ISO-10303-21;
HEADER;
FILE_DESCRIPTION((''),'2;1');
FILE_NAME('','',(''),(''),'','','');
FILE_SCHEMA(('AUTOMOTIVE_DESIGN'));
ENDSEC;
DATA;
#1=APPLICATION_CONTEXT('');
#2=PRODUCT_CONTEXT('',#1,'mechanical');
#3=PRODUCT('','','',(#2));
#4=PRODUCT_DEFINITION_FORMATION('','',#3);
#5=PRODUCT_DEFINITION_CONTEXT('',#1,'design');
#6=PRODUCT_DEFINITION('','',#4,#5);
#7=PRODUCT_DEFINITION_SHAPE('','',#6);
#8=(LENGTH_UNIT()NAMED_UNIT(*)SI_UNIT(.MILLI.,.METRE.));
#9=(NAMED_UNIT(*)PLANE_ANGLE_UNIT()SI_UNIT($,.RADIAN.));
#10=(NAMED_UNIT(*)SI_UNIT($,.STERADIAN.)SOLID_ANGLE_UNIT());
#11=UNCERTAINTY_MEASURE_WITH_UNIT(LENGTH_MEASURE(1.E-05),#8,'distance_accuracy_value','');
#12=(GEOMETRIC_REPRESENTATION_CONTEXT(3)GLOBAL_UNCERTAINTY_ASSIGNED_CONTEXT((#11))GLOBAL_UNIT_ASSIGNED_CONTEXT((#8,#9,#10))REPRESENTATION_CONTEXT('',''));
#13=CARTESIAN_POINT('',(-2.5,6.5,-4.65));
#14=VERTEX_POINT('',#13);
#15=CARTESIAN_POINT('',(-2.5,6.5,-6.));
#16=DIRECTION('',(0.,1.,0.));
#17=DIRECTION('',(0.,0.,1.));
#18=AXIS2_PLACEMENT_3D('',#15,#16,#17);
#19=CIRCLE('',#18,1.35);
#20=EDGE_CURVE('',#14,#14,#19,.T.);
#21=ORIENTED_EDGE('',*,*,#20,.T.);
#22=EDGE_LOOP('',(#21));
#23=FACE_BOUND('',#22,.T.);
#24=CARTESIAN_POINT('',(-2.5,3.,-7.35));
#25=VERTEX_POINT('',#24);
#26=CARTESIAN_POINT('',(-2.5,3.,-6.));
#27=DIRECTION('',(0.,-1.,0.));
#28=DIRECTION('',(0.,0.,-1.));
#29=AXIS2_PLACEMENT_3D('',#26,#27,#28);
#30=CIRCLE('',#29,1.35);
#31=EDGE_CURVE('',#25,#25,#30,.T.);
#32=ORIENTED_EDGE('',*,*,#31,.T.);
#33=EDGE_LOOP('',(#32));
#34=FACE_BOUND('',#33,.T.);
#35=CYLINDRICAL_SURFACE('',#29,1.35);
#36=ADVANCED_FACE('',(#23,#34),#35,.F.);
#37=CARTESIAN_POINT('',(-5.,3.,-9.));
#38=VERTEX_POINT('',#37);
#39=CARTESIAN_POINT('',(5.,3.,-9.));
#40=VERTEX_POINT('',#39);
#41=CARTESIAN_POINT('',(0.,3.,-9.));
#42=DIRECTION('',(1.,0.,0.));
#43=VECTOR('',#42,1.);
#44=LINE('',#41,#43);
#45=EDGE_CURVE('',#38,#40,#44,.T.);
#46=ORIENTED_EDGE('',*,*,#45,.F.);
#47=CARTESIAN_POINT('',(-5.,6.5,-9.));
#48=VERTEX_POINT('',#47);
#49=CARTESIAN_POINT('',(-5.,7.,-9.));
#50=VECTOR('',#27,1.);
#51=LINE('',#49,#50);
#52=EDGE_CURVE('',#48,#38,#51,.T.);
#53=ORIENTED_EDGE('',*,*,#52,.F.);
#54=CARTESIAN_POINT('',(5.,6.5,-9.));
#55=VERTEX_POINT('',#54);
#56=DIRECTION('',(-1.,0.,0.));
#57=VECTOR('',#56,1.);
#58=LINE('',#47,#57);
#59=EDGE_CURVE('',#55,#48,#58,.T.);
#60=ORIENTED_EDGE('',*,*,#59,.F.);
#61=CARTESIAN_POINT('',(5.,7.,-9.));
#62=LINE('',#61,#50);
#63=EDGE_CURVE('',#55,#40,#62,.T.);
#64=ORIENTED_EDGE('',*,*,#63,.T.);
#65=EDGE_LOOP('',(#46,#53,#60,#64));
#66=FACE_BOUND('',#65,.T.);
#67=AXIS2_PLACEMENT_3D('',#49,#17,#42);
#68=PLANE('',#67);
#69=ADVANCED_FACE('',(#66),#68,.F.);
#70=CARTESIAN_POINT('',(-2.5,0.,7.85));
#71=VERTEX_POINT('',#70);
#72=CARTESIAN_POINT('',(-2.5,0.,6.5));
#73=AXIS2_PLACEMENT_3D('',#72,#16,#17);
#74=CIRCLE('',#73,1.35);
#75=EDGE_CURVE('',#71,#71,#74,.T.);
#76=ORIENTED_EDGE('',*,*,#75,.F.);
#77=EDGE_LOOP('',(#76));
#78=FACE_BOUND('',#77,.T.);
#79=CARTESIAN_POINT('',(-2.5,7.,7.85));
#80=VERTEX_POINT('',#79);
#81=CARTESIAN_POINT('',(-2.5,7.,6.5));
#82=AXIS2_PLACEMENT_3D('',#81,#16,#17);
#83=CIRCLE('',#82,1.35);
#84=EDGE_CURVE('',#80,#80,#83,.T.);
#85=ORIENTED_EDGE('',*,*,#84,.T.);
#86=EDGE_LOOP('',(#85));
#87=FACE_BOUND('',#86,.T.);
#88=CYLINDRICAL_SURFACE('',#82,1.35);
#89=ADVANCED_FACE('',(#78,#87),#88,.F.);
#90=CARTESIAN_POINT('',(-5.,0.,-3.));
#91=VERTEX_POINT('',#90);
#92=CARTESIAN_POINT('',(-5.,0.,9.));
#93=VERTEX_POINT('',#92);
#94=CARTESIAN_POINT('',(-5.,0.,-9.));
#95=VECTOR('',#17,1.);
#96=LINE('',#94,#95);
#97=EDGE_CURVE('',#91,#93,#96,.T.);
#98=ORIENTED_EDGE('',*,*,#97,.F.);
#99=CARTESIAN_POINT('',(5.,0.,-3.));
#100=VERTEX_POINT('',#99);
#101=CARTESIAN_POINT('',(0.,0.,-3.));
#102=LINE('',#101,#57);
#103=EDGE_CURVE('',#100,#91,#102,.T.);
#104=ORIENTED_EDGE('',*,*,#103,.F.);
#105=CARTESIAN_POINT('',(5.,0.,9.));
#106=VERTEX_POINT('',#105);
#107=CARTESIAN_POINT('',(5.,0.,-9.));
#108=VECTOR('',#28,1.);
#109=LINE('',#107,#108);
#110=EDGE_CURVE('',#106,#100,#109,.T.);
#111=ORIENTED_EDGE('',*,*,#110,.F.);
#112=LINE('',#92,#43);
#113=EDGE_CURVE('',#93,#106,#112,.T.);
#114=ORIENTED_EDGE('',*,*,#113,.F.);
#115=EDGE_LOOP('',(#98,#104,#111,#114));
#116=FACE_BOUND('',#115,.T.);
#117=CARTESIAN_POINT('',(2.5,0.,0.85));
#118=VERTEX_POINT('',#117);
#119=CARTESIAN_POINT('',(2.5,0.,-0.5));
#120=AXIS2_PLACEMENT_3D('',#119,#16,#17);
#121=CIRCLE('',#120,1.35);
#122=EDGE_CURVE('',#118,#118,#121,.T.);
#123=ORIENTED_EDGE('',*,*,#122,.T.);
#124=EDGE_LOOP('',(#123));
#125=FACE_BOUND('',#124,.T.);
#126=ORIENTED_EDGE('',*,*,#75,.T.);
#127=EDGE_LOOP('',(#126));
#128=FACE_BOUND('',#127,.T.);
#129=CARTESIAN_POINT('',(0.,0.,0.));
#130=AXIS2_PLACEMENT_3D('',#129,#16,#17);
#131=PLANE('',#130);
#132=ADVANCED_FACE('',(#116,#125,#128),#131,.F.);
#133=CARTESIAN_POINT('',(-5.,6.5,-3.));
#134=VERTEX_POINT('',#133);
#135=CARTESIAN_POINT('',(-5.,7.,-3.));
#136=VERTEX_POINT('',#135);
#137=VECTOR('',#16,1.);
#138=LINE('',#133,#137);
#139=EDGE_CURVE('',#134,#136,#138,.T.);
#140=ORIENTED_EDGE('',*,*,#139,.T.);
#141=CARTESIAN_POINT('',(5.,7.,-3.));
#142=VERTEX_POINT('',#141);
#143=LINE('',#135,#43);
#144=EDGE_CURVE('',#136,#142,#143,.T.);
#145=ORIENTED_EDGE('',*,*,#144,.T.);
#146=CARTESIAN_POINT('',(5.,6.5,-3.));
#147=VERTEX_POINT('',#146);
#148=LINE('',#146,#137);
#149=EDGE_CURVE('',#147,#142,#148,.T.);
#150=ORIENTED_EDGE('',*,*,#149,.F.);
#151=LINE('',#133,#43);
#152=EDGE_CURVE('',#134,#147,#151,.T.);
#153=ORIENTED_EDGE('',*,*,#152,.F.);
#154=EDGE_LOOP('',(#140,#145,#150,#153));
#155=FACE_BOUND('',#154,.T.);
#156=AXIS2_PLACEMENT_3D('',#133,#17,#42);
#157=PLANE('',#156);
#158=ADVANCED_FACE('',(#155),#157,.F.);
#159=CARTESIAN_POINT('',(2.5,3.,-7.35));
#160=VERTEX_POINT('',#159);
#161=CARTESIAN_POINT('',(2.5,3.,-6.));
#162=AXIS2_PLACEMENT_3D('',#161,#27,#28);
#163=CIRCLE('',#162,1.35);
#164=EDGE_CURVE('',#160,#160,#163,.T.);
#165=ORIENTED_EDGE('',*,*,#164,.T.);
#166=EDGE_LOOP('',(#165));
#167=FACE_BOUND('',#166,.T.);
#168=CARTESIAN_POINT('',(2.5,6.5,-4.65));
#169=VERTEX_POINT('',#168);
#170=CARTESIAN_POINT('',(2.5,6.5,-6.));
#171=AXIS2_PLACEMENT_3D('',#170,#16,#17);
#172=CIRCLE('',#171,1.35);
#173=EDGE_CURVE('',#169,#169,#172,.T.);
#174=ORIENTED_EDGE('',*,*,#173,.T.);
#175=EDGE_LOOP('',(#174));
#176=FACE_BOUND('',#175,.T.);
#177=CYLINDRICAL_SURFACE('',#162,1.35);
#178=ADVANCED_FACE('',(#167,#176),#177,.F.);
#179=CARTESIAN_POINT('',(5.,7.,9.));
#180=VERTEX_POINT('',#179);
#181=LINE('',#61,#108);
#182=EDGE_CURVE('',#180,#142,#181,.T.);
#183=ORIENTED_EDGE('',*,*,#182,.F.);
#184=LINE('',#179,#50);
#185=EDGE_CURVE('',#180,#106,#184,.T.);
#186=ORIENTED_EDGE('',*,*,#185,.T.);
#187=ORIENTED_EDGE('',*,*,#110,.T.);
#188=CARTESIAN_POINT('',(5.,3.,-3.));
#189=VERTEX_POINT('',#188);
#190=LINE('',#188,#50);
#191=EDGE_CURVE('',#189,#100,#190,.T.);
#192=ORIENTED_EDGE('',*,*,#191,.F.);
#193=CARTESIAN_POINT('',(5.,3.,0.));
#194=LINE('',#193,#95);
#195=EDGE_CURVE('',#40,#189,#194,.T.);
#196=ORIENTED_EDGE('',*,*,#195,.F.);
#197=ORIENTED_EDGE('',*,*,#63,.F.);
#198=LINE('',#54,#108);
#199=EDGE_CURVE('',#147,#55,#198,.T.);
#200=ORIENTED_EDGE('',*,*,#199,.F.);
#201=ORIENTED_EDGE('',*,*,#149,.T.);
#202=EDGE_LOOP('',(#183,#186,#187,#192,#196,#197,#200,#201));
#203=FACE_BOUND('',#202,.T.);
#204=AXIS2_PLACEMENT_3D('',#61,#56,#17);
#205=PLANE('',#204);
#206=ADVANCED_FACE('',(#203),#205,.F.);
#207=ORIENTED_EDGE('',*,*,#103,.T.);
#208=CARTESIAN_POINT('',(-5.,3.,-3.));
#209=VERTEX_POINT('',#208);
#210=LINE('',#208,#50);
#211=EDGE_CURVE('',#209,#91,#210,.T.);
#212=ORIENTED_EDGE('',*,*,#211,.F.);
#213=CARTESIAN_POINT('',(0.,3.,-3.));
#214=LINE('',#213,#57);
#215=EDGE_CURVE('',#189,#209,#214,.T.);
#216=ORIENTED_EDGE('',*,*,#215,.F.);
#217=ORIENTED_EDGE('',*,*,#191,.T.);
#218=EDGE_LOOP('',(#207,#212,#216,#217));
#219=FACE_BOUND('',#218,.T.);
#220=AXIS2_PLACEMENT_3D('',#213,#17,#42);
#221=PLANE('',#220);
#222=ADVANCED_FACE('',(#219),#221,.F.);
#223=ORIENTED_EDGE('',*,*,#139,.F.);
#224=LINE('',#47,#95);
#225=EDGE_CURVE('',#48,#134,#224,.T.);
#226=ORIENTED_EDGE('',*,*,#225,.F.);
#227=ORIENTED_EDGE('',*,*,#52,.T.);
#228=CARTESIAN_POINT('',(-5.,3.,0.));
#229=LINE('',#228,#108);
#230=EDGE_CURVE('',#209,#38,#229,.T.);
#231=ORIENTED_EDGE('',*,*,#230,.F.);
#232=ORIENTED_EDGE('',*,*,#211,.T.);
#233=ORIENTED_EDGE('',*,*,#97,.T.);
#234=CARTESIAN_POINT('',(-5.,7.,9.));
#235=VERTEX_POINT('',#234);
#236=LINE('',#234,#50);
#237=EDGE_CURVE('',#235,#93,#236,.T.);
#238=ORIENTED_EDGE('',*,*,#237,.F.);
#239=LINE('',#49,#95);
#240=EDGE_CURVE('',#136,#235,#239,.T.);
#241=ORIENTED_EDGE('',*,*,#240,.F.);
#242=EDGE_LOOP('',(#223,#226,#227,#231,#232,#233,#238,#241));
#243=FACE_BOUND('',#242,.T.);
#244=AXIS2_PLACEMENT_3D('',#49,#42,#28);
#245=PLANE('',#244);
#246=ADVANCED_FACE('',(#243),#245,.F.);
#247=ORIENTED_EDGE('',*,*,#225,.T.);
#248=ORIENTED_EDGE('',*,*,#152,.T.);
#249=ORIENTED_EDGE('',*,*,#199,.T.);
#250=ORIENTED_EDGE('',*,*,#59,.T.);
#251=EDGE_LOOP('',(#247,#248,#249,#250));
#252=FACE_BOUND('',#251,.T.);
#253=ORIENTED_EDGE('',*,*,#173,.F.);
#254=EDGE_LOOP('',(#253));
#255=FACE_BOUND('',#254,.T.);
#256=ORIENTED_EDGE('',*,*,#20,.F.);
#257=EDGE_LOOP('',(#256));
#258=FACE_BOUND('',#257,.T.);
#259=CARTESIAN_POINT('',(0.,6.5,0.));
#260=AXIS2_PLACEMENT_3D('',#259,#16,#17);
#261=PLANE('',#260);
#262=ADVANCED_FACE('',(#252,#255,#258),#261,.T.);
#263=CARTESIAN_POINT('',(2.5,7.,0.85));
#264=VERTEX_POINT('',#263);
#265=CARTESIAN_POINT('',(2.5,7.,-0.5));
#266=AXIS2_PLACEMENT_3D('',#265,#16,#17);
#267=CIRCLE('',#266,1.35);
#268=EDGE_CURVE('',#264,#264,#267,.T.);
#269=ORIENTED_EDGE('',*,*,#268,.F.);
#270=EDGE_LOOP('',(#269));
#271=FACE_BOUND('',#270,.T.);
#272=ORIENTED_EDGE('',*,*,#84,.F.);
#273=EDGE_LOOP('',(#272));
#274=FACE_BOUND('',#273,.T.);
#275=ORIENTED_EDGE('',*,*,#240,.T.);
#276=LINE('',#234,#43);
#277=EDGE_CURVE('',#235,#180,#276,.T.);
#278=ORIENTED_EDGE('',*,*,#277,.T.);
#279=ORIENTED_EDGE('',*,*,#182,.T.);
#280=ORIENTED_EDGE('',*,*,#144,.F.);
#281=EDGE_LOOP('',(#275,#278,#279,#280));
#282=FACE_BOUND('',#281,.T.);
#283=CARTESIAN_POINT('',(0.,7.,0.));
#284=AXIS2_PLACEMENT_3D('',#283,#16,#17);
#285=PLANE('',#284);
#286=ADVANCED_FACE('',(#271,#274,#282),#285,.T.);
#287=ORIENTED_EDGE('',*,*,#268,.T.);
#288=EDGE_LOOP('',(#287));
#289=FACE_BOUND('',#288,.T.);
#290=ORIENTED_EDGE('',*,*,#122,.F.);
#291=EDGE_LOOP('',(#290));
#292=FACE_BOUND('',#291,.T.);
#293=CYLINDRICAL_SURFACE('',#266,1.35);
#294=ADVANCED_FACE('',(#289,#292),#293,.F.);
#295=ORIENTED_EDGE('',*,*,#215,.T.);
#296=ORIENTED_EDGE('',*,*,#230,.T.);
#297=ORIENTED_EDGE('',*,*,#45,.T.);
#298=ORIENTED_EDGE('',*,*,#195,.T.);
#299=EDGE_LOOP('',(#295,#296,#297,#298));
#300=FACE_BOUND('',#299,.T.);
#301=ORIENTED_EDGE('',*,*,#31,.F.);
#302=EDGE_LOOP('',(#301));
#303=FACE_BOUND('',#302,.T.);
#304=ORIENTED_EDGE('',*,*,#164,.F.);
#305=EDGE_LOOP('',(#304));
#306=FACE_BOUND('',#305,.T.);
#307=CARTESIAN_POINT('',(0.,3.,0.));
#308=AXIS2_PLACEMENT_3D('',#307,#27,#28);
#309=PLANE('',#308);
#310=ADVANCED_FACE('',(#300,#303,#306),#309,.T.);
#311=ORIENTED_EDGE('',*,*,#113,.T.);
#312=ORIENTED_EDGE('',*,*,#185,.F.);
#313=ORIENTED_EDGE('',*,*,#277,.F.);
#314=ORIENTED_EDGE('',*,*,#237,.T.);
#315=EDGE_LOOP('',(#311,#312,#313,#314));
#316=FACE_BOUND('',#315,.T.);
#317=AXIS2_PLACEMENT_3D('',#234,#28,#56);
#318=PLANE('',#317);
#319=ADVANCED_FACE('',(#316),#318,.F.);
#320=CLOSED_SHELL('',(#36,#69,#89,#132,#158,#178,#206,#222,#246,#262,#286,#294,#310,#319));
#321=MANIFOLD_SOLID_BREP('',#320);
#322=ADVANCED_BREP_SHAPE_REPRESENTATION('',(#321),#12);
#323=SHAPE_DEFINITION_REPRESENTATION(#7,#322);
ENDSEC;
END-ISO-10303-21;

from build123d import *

# Parameters (mm, degrees)
SKETCH1_W              = 10
SKETCH1_H              = 18
BOSS_EXTRUDE1_DEPTH    = 7
SKETCH2_W              = 10
SKETCH2_H              = 6
CUT_EXTRUDE1_DEPTH     = 0.5
M2_5_CLEARANCE_HOLE1_D = 2.7
SKETCH5_W              = 10
SKETCH5_H              = 6
CUT_EXTRUDE2_DEPTH     = 3
M2_5_CLEARANCE_HOLE2_D = 2.7


with BuildPart() as part:
    # Sketch1 → Boss-Extrude1 (new body)
    with BuildSketch(Plane(origin=(0, 0, 0), x_dir=(1, 0, 0), z_dir=(0, 1, 0))):
        Rectangle(SKETCH1_W, SKETCH1_H)
    extrude(amount=BOSS_EXTRUDE1_DEPTH)

    # Sketch2 → Cut-Extrude1 (cut)
    with BuildSketch(Plane(origin=(0, 7, 0), x_dir=(1, 0, 0), z_dir=(0, 1, 0))):
        with Locations((0, 6)):
            Rectangle(SKETCH2_W, SKETCH2_H)
    extrude(amount=-CUT_EXTRUDE1_DEPTH, mode=Mode.SUBTRACT)

    # M2.5 Clearance Hole1 (through all)
    with Locations(Plane(origin=(0, 7, 0), x_dir=(1, 0, 0), z_dir=(0, 1, 0))):
        with Locations((-2.5, -6.5), (2.5, 0.5)):
            Hole(M2_5_CLEARANCE_HOLE1_D / 2)

    # Sketch5 → Cut-Extrude2 (cut)
    with BuildSketch(Plane.XZ):
        with Locations((0, -6)):
            Rectangle(SKETCH5_W, SKETCH5_H)
    extrude(amount=-CUT_EXTRUDE2_DEPTH, mode=Mode.SUBTRACT)

    # M2.5 Clearance Hole2 (through all)
    with Locations(Plane(origin=(0, 3, 0), x_dir=(-1, 0, 0), z_dir=(0, -1, 0))):
        with Locations((-2.5, 6), (2.5, 6)):
            Hole(M2_5_CLEARANCE_HOLE2_D / 2)


solid = part.part
